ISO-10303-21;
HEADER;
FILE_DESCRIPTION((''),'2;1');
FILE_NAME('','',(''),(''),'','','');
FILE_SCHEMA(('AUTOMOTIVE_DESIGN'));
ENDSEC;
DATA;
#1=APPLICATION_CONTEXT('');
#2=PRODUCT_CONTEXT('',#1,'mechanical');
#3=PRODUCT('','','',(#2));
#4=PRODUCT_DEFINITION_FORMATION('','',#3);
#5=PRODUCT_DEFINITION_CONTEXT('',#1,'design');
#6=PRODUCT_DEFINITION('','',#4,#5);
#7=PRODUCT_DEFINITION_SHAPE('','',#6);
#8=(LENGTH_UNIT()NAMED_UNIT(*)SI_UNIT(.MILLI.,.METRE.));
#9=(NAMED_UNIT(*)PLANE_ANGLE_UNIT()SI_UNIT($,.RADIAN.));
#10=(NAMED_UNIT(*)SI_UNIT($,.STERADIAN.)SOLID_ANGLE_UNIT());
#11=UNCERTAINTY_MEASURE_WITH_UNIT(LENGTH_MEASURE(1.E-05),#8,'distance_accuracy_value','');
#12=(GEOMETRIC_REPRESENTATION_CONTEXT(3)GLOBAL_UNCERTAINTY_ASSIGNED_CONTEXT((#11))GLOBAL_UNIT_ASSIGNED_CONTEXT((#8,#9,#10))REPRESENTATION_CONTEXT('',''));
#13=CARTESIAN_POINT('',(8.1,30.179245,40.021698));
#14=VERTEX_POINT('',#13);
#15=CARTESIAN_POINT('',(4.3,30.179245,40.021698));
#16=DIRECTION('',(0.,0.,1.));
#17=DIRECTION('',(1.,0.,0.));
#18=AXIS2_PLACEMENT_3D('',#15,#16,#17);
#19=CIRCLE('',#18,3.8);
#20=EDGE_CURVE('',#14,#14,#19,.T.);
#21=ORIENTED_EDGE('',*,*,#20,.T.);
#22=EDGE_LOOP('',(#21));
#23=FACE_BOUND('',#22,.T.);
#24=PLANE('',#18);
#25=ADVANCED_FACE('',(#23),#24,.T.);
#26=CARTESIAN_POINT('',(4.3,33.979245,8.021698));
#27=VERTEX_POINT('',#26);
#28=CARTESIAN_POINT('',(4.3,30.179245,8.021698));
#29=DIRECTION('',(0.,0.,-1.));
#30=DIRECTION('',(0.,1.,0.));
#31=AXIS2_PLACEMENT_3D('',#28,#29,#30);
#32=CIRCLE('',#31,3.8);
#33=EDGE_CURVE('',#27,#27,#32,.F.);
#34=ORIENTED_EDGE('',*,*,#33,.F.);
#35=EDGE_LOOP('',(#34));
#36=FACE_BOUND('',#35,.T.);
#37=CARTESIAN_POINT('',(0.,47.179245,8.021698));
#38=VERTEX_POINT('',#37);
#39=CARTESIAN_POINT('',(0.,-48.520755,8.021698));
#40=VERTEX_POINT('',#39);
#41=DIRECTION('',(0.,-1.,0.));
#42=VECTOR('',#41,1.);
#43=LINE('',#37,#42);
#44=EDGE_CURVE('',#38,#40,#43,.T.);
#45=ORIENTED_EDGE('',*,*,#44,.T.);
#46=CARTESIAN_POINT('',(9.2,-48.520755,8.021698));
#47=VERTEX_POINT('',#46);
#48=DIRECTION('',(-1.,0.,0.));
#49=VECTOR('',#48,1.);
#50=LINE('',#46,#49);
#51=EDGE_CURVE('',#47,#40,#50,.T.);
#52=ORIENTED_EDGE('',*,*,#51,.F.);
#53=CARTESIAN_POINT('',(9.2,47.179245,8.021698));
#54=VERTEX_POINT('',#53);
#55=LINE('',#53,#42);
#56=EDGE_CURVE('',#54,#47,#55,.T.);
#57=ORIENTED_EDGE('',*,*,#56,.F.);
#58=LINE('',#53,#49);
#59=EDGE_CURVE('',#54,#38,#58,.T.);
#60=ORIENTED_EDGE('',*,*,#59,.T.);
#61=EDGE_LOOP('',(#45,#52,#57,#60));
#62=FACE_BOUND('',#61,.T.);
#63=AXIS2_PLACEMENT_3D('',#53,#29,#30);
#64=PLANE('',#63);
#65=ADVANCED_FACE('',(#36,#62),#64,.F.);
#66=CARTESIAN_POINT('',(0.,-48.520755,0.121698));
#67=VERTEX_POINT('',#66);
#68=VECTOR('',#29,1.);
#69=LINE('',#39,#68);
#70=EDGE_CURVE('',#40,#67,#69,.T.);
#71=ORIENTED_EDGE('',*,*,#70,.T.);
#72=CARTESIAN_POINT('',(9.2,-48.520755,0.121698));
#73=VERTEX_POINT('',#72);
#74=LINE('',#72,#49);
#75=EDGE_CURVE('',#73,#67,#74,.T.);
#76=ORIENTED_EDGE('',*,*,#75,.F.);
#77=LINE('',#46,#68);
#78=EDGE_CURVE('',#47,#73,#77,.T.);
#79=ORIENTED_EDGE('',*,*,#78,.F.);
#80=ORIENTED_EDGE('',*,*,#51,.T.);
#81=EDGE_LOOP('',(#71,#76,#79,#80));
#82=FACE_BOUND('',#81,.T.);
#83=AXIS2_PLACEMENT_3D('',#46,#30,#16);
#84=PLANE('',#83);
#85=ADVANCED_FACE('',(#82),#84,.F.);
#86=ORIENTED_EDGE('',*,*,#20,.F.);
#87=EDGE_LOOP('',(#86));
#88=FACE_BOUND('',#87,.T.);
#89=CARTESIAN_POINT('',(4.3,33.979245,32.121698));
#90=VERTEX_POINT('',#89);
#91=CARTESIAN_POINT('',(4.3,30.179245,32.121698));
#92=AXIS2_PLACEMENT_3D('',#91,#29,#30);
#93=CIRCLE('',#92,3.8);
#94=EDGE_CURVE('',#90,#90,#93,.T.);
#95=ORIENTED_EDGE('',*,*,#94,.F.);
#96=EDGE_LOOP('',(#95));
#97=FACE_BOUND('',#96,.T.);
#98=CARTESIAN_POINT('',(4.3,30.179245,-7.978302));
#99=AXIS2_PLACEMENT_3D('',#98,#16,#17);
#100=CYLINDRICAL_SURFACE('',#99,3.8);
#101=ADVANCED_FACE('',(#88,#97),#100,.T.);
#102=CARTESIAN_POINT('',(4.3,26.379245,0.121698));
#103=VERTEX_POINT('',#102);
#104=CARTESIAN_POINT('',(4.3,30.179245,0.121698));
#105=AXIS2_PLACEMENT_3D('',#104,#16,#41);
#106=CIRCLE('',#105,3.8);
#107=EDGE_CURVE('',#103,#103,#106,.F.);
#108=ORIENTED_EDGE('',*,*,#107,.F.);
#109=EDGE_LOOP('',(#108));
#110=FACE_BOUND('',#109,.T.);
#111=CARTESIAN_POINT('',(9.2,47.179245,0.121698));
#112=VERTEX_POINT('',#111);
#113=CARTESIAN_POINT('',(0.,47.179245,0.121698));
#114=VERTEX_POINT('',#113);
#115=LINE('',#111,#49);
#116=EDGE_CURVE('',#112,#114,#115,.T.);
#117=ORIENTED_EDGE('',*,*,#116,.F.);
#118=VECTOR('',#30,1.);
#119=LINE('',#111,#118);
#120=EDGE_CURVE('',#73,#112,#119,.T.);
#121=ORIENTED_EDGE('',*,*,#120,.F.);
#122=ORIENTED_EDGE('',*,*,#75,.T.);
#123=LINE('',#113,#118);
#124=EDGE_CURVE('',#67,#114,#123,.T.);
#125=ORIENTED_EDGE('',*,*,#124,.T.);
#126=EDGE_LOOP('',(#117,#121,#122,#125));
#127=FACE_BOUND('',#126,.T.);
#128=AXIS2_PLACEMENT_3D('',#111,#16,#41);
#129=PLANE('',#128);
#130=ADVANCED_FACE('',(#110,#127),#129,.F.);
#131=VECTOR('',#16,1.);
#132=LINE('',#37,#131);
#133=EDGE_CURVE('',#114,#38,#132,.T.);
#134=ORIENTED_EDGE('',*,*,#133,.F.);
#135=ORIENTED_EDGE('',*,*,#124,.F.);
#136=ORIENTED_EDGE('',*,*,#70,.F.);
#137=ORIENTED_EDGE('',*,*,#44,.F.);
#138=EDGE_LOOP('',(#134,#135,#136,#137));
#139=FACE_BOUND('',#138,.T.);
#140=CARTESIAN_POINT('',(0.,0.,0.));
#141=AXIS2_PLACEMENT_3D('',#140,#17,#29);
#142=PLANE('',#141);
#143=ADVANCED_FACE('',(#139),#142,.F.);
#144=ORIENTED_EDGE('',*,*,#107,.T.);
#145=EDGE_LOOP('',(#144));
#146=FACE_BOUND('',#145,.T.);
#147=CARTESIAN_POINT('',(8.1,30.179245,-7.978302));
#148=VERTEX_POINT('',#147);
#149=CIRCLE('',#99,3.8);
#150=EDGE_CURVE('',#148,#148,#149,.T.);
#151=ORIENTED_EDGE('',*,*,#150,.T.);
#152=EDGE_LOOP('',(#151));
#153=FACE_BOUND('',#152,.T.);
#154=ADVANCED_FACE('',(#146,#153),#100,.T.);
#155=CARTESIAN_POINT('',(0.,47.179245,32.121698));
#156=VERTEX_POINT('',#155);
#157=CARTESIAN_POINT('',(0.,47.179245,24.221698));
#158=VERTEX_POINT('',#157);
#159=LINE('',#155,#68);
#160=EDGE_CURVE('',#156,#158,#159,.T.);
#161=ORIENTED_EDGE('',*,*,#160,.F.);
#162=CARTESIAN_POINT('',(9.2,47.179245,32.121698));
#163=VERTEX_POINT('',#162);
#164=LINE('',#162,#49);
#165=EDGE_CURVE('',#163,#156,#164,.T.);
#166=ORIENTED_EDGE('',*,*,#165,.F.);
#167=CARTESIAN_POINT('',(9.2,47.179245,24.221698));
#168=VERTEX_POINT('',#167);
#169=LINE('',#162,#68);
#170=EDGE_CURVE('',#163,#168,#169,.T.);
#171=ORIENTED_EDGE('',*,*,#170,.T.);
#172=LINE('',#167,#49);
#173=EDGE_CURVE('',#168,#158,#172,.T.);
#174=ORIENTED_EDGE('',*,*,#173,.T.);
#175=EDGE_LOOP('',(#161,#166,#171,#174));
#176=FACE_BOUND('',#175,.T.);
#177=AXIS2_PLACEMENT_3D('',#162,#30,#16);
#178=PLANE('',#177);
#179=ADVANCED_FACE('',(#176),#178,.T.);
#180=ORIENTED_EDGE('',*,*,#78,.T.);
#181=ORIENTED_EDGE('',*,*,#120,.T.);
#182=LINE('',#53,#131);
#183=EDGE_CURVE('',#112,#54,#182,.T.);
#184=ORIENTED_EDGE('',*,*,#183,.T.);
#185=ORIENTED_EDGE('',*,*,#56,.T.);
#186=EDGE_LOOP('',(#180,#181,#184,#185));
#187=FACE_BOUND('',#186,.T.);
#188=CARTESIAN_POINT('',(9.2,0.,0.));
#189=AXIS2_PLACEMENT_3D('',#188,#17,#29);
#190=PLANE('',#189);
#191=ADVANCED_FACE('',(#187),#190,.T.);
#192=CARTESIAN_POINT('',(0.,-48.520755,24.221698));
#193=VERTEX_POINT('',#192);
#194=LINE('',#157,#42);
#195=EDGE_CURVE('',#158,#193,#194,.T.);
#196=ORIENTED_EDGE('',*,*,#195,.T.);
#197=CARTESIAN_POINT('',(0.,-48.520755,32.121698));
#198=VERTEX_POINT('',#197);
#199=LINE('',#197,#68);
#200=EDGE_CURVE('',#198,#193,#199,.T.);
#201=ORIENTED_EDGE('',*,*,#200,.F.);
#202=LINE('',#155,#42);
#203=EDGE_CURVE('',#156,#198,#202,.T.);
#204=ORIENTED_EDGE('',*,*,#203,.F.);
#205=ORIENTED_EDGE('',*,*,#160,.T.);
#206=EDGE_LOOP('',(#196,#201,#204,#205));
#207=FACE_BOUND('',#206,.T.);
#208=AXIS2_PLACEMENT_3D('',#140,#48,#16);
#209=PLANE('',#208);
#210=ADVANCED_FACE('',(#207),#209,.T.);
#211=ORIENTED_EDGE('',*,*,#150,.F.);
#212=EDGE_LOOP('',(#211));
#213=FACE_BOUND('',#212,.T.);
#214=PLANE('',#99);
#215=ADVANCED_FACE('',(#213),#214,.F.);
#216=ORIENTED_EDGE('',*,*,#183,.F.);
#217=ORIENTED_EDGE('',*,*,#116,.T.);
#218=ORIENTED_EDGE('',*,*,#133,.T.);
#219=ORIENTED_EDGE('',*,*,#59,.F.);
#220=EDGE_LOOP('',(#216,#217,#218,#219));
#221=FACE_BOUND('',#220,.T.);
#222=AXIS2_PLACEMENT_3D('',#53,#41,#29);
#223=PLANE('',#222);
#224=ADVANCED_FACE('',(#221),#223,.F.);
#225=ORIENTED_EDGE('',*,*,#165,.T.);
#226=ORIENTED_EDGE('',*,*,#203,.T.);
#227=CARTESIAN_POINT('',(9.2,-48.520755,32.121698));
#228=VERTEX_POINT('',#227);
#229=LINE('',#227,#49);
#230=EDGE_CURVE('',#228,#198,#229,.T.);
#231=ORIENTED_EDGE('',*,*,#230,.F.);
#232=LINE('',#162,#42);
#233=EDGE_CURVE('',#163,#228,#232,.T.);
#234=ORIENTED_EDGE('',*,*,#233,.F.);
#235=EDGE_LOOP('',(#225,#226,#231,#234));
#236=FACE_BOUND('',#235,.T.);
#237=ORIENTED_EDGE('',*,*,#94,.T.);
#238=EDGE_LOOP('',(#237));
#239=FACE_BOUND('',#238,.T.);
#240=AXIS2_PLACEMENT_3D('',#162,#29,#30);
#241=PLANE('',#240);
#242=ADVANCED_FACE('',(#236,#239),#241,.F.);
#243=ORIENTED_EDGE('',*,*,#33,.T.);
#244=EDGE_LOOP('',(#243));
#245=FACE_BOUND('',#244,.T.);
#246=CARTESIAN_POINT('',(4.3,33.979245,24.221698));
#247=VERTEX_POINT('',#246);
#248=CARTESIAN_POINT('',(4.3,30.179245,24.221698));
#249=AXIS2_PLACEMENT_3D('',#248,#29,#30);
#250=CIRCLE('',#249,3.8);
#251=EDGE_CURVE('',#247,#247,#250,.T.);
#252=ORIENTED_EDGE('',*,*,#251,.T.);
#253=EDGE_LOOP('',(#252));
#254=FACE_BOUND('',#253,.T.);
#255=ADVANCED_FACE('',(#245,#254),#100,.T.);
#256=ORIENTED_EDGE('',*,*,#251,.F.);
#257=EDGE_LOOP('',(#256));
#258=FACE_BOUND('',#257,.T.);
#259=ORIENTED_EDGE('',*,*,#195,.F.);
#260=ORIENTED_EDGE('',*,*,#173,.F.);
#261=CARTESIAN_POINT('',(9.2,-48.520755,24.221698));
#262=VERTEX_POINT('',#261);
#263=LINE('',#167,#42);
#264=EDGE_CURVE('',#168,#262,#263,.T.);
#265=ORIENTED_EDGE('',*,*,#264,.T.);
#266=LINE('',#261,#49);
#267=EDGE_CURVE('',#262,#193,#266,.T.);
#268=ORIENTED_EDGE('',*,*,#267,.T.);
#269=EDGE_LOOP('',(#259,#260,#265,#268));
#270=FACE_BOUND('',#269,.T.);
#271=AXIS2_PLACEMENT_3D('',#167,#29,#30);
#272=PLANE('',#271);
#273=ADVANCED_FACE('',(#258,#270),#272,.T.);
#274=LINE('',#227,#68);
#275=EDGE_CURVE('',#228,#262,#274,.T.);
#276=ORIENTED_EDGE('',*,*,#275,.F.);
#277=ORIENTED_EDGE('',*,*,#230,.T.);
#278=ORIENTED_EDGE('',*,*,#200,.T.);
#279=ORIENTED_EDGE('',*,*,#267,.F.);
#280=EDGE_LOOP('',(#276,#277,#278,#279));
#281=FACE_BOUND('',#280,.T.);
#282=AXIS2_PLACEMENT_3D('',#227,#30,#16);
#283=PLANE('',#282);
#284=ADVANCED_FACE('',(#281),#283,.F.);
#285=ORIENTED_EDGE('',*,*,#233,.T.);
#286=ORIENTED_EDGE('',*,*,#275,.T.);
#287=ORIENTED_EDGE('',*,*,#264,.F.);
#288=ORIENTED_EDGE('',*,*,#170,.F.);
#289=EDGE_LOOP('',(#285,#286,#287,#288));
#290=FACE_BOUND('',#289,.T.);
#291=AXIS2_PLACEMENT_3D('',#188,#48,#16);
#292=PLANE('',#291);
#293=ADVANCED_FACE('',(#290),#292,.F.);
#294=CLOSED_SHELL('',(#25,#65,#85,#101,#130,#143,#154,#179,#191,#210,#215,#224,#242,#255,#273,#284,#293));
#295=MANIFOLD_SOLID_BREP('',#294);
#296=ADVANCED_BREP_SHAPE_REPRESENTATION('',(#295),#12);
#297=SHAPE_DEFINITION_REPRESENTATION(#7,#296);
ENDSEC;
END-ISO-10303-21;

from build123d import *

# Parameters (mm, degrees)
SKETCH1_W                = 7.9
SKETCH1_H                = 95.7
BOSS_EXTRUDE1_DEPTH      = 9.2
SKETCH1_3_W              = 7.9
SKETCH1_3_H              = 95.7
BOSS_EXTRUDE2_DEPTH      = 9.2
BOSS_EXTRUDE3_DEPTH      = 32
BOSS_EXTRUDE3_DEPTH_BACK = 16
SKETCH2_R                = 3.8


with BuildPart() as part:
    # Sketch1 → Boss-Extrude1 (new body)
    with BuildSketch(Plane(origin=(0, 0, 0), x_dir=(0, 0, -1), z_dir=(1, 0, 0))):
        with Locations((-28.171698113, -0.670754717)):
            Rectangle(SKETCH1_W, SKETCH1_H)
    extrude(amount=BOSS_EXTRUDE1_DEPTH)

    # Sketch1<3> → Boss-Extrude2 (add)
    with BuildSketch(Plane(origin=(0, 0, 0), x_dir=(0, 0, -1), z_dir=(1, 0, 0))):
        with Locations((-28.171698113, -0.670754717)):
            Rectangle(SKETCH1_3_W, SKETCH1_3_H)
        with Locations((-4.071698113, -0.670754717)):
            Rectangle(SKETCH1_3_W, SKETCH1_3_H)
    extrude(amount=BOSS_EXTRUDE2_DEPTH)


with BuildPart() as boss_extrude2_piece_1:
    # of the separate pieces the step leaves, piece 1, a body of its own (boss_extrude2_pieces)
    add(part.part.solids().sort_by_distance((0, 47.179245283, 8.021698113))[0])



with BuildPart() as boss_extrude2_piece_2:
    # of the separate pieces the step leaves, piece 2, a body of its own (boss_extrude2_pieces)
    add(part.part.solids().sort_by_distance((0, 47.179245283, 32.121698113))[0])


with BuildPart() as boss_extrude2_piece_1_1:
    add(boss_extrude2_piece_1.part)

    add(boss_extrude2_piece_2.part)  # Boss-Extrude3 merges Boss-Extrude2 piece 2
    # Sketch2 → Boss-Extrude3 (add, two sides: drawn at the far end of the back side and taken through both)
    with BuildSketch(Plane.XY.offset(8.021698113).offset(-BOSS_EXTRUDE3_DEPTH_BACK)):
        with Locations((4.3, 30.179245283)):
            Circle(SKETCH2_R)
    extrude(amount=BOSS_EXTRUDE3_DEPTH + BOSS_EXTRUDE3_DEPTH_BACK)


solid = boss_extrude2_piece_1_1.part
